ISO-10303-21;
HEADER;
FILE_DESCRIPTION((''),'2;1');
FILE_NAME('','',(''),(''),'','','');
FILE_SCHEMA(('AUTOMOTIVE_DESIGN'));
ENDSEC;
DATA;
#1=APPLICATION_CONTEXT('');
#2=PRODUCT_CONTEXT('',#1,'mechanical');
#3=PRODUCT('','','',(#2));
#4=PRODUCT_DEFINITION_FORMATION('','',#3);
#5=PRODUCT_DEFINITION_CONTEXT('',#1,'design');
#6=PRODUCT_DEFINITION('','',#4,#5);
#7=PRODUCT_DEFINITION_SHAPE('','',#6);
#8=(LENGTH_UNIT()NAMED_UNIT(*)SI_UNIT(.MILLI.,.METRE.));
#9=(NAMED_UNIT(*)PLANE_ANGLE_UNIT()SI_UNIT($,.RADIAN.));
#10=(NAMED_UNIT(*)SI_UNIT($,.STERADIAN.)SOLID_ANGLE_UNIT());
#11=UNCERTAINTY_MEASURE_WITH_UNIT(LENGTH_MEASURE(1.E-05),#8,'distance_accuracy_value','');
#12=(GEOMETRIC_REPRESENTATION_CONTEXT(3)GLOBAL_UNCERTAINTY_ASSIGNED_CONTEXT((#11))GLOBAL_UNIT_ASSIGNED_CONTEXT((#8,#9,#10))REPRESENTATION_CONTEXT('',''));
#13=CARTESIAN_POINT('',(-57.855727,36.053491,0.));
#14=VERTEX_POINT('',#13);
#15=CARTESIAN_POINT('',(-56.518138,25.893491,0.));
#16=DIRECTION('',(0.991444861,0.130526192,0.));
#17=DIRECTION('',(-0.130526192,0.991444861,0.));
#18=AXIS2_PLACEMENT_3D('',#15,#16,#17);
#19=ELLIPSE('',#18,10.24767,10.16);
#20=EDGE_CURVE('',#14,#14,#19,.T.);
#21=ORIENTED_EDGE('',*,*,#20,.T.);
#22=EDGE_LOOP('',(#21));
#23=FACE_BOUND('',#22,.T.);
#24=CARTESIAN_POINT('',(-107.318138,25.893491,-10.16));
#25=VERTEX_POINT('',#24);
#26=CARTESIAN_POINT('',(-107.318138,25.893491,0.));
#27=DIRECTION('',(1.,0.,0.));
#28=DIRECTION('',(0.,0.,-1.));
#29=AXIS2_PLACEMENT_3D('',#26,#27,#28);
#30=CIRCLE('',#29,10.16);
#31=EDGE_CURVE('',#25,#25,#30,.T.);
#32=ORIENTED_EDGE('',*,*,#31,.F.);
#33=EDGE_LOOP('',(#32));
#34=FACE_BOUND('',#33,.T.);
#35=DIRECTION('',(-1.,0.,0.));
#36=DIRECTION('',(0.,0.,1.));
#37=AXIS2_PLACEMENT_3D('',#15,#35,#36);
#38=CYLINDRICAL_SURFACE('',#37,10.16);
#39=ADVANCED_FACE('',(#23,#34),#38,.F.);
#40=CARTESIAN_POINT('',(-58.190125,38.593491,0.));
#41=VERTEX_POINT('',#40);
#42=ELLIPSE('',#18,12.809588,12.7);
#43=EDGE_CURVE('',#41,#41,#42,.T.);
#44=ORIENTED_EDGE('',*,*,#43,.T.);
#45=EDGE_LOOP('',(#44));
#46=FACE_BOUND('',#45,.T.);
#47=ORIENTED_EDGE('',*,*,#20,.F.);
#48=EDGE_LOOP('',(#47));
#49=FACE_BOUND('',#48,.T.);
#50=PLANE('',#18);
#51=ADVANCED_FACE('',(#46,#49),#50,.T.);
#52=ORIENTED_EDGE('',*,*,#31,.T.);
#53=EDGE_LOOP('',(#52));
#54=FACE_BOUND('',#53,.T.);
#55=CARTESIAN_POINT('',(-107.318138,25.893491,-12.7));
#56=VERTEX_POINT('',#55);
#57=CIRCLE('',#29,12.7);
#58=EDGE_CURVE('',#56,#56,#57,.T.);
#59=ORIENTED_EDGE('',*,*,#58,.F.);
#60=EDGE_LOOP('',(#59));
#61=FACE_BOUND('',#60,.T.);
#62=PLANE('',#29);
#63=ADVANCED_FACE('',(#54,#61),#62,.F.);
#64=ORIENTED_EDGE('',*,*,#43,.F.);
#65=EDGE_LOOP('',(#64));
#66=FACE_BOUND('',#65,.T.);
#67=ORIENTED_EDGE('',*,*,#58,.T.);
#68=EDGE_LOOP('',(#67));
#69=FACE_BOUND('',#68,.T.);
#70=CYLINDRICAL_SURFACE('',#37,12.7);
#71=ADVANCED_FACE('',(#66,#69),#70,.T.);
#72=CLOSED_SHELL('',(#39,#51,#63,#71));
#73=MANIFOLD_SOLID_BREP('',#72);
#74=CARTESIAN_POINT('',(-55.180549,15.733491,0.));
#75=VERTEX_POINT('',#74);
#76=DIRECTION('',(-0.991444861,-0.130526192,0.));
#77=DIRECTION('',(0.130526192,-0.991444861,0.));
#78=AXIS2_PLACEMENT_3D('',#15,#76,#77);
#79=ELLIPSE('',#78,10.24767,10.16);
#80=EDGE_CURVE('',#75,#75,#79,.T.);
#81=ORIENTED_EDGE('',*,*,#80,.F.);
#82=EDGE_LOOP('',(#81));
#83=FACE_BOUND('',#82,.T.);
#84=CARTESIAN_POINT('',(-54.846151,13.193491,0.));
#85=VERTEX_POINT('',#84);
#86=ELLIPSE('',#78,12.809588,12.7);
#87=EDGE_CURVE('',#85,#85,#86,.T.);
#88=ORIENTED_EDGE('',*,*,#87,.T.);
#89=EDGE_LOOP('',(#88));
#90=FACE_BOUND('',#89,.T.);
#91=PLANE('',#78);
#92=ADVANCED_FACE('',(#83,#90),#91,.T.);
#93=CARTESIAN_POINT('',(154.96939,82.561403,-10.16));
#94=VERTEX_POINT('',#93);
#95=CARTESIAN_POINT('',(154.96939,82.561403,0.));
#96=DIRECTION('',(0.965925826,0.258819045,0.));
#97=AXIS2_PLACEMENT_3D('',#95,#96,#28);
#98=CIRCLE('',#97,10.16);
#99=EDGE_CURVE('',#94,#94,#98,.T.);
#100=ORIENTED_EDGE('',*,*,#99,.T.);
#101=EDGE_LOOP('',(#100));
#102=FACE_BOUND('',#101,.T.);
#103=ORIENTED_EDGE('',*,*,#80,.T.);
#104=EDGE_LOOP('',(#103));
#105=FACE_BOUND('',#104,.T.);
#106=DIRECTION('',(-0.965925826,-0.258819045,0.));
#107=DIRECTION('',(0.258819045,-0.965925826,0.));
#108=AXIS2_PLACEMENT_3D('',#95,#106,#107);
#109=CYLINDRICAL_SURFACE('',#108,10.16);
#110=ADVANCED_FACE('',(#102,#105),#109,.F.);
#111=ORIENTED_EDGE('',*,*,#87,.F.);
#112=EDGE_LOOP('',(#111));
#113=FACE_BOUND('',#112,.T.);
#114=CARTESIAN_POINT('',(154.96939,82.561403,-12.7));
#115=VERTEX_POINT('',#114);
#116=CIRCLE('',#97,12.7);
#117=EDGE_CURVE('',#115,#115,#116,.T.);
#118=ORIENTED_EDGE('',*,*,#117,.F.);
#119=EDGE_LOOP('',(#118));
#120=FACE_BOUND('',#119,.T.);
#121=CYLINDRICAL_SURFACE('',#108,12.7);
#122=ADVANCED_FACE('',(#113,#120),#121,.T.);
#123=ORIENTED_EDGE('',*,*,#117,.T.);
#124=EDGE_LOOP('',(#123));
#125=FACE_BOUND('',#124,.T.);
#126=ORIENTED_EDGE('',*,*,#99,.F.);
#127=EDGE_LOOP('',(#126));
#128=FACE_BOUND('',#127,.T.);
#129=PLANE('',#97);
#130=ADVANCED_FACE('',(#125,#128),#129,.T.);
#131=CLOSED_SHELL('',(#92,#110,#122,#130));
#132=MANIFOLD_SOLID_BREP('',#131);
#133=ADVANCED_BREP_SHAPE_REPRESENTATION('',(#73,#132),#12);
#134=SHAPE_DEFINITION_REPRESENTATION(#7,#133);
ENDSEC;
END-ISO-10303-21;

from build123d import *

# Parameters (mm, degrees)
SKETCH1_R                = 12.7
SKETCH1_R_2              = 10.16
TUBING_TUBING_1_DEPTH    = 54.164546295
SKETCH1_ON_SEGMENT_2_R   = 12.7
SKETCH1_ON_SEGMENT_2_R_2 = 10.16
TUBING_TUBING_1_2_DEPTH  = 222.312546295


with BuildPart() as part:
    # Sketch1 → Tubing TUBING(1) (new body)
    with BuildSketch(Plane(origin=(-107.318138062, 25.893490854, 0), x_dir=(0, 1, 0), z_dir=(1, 0, 0))):
        Circle(SKETCH1_R)
        Circle(SKETCH1_R_2, mode=Mode.SUBTRACT)
    extrude(amount=TUBING_TUBING_1_DEPTH)

    # Tubing TUBING(1) mitre 1
    split(bisect_by=Plane(origin=(-56.518138062, 25.893490854, 0), x_dir=(0.130526192, -0.991444861, 0), z_dir=(-0.991444861, -0.130526192, 0)), keep=Keep.TOP)


with BuildPart() as body_2:
    # Sketch1 on segment 2 (carried to segment 2) → Tubing TUBING_1 2 (new body)
    with BuildSketch(Plane(origin=(-59.768040222, 25.022682195, 0), x_dir=(-0.258819045, 0.965925826, 0), z_dir=(0.965925826, 0.258819045, 0))):
        Circle(SKETCH1_ON_SEGMENT_2_R)
        Circle(SKETCH1_ON_SEGMENT_2_R_2, mode=Mode.SUBTRACT)
    extrude(amount=TUBING_TUBING_1_2_DEPTH)

    # Tubing TUBING_1 2 mitre 1
    split(bisect_by=Plane(origin=(-56.518138062, 25.893490854, 0), x_dir=(-0.130526192, 0.991444861, 0), z_dir=(0.991444861, 0.130526192, 0)), keep=Keep.TOP)


solid = Compound([part.part, body_2.part])
